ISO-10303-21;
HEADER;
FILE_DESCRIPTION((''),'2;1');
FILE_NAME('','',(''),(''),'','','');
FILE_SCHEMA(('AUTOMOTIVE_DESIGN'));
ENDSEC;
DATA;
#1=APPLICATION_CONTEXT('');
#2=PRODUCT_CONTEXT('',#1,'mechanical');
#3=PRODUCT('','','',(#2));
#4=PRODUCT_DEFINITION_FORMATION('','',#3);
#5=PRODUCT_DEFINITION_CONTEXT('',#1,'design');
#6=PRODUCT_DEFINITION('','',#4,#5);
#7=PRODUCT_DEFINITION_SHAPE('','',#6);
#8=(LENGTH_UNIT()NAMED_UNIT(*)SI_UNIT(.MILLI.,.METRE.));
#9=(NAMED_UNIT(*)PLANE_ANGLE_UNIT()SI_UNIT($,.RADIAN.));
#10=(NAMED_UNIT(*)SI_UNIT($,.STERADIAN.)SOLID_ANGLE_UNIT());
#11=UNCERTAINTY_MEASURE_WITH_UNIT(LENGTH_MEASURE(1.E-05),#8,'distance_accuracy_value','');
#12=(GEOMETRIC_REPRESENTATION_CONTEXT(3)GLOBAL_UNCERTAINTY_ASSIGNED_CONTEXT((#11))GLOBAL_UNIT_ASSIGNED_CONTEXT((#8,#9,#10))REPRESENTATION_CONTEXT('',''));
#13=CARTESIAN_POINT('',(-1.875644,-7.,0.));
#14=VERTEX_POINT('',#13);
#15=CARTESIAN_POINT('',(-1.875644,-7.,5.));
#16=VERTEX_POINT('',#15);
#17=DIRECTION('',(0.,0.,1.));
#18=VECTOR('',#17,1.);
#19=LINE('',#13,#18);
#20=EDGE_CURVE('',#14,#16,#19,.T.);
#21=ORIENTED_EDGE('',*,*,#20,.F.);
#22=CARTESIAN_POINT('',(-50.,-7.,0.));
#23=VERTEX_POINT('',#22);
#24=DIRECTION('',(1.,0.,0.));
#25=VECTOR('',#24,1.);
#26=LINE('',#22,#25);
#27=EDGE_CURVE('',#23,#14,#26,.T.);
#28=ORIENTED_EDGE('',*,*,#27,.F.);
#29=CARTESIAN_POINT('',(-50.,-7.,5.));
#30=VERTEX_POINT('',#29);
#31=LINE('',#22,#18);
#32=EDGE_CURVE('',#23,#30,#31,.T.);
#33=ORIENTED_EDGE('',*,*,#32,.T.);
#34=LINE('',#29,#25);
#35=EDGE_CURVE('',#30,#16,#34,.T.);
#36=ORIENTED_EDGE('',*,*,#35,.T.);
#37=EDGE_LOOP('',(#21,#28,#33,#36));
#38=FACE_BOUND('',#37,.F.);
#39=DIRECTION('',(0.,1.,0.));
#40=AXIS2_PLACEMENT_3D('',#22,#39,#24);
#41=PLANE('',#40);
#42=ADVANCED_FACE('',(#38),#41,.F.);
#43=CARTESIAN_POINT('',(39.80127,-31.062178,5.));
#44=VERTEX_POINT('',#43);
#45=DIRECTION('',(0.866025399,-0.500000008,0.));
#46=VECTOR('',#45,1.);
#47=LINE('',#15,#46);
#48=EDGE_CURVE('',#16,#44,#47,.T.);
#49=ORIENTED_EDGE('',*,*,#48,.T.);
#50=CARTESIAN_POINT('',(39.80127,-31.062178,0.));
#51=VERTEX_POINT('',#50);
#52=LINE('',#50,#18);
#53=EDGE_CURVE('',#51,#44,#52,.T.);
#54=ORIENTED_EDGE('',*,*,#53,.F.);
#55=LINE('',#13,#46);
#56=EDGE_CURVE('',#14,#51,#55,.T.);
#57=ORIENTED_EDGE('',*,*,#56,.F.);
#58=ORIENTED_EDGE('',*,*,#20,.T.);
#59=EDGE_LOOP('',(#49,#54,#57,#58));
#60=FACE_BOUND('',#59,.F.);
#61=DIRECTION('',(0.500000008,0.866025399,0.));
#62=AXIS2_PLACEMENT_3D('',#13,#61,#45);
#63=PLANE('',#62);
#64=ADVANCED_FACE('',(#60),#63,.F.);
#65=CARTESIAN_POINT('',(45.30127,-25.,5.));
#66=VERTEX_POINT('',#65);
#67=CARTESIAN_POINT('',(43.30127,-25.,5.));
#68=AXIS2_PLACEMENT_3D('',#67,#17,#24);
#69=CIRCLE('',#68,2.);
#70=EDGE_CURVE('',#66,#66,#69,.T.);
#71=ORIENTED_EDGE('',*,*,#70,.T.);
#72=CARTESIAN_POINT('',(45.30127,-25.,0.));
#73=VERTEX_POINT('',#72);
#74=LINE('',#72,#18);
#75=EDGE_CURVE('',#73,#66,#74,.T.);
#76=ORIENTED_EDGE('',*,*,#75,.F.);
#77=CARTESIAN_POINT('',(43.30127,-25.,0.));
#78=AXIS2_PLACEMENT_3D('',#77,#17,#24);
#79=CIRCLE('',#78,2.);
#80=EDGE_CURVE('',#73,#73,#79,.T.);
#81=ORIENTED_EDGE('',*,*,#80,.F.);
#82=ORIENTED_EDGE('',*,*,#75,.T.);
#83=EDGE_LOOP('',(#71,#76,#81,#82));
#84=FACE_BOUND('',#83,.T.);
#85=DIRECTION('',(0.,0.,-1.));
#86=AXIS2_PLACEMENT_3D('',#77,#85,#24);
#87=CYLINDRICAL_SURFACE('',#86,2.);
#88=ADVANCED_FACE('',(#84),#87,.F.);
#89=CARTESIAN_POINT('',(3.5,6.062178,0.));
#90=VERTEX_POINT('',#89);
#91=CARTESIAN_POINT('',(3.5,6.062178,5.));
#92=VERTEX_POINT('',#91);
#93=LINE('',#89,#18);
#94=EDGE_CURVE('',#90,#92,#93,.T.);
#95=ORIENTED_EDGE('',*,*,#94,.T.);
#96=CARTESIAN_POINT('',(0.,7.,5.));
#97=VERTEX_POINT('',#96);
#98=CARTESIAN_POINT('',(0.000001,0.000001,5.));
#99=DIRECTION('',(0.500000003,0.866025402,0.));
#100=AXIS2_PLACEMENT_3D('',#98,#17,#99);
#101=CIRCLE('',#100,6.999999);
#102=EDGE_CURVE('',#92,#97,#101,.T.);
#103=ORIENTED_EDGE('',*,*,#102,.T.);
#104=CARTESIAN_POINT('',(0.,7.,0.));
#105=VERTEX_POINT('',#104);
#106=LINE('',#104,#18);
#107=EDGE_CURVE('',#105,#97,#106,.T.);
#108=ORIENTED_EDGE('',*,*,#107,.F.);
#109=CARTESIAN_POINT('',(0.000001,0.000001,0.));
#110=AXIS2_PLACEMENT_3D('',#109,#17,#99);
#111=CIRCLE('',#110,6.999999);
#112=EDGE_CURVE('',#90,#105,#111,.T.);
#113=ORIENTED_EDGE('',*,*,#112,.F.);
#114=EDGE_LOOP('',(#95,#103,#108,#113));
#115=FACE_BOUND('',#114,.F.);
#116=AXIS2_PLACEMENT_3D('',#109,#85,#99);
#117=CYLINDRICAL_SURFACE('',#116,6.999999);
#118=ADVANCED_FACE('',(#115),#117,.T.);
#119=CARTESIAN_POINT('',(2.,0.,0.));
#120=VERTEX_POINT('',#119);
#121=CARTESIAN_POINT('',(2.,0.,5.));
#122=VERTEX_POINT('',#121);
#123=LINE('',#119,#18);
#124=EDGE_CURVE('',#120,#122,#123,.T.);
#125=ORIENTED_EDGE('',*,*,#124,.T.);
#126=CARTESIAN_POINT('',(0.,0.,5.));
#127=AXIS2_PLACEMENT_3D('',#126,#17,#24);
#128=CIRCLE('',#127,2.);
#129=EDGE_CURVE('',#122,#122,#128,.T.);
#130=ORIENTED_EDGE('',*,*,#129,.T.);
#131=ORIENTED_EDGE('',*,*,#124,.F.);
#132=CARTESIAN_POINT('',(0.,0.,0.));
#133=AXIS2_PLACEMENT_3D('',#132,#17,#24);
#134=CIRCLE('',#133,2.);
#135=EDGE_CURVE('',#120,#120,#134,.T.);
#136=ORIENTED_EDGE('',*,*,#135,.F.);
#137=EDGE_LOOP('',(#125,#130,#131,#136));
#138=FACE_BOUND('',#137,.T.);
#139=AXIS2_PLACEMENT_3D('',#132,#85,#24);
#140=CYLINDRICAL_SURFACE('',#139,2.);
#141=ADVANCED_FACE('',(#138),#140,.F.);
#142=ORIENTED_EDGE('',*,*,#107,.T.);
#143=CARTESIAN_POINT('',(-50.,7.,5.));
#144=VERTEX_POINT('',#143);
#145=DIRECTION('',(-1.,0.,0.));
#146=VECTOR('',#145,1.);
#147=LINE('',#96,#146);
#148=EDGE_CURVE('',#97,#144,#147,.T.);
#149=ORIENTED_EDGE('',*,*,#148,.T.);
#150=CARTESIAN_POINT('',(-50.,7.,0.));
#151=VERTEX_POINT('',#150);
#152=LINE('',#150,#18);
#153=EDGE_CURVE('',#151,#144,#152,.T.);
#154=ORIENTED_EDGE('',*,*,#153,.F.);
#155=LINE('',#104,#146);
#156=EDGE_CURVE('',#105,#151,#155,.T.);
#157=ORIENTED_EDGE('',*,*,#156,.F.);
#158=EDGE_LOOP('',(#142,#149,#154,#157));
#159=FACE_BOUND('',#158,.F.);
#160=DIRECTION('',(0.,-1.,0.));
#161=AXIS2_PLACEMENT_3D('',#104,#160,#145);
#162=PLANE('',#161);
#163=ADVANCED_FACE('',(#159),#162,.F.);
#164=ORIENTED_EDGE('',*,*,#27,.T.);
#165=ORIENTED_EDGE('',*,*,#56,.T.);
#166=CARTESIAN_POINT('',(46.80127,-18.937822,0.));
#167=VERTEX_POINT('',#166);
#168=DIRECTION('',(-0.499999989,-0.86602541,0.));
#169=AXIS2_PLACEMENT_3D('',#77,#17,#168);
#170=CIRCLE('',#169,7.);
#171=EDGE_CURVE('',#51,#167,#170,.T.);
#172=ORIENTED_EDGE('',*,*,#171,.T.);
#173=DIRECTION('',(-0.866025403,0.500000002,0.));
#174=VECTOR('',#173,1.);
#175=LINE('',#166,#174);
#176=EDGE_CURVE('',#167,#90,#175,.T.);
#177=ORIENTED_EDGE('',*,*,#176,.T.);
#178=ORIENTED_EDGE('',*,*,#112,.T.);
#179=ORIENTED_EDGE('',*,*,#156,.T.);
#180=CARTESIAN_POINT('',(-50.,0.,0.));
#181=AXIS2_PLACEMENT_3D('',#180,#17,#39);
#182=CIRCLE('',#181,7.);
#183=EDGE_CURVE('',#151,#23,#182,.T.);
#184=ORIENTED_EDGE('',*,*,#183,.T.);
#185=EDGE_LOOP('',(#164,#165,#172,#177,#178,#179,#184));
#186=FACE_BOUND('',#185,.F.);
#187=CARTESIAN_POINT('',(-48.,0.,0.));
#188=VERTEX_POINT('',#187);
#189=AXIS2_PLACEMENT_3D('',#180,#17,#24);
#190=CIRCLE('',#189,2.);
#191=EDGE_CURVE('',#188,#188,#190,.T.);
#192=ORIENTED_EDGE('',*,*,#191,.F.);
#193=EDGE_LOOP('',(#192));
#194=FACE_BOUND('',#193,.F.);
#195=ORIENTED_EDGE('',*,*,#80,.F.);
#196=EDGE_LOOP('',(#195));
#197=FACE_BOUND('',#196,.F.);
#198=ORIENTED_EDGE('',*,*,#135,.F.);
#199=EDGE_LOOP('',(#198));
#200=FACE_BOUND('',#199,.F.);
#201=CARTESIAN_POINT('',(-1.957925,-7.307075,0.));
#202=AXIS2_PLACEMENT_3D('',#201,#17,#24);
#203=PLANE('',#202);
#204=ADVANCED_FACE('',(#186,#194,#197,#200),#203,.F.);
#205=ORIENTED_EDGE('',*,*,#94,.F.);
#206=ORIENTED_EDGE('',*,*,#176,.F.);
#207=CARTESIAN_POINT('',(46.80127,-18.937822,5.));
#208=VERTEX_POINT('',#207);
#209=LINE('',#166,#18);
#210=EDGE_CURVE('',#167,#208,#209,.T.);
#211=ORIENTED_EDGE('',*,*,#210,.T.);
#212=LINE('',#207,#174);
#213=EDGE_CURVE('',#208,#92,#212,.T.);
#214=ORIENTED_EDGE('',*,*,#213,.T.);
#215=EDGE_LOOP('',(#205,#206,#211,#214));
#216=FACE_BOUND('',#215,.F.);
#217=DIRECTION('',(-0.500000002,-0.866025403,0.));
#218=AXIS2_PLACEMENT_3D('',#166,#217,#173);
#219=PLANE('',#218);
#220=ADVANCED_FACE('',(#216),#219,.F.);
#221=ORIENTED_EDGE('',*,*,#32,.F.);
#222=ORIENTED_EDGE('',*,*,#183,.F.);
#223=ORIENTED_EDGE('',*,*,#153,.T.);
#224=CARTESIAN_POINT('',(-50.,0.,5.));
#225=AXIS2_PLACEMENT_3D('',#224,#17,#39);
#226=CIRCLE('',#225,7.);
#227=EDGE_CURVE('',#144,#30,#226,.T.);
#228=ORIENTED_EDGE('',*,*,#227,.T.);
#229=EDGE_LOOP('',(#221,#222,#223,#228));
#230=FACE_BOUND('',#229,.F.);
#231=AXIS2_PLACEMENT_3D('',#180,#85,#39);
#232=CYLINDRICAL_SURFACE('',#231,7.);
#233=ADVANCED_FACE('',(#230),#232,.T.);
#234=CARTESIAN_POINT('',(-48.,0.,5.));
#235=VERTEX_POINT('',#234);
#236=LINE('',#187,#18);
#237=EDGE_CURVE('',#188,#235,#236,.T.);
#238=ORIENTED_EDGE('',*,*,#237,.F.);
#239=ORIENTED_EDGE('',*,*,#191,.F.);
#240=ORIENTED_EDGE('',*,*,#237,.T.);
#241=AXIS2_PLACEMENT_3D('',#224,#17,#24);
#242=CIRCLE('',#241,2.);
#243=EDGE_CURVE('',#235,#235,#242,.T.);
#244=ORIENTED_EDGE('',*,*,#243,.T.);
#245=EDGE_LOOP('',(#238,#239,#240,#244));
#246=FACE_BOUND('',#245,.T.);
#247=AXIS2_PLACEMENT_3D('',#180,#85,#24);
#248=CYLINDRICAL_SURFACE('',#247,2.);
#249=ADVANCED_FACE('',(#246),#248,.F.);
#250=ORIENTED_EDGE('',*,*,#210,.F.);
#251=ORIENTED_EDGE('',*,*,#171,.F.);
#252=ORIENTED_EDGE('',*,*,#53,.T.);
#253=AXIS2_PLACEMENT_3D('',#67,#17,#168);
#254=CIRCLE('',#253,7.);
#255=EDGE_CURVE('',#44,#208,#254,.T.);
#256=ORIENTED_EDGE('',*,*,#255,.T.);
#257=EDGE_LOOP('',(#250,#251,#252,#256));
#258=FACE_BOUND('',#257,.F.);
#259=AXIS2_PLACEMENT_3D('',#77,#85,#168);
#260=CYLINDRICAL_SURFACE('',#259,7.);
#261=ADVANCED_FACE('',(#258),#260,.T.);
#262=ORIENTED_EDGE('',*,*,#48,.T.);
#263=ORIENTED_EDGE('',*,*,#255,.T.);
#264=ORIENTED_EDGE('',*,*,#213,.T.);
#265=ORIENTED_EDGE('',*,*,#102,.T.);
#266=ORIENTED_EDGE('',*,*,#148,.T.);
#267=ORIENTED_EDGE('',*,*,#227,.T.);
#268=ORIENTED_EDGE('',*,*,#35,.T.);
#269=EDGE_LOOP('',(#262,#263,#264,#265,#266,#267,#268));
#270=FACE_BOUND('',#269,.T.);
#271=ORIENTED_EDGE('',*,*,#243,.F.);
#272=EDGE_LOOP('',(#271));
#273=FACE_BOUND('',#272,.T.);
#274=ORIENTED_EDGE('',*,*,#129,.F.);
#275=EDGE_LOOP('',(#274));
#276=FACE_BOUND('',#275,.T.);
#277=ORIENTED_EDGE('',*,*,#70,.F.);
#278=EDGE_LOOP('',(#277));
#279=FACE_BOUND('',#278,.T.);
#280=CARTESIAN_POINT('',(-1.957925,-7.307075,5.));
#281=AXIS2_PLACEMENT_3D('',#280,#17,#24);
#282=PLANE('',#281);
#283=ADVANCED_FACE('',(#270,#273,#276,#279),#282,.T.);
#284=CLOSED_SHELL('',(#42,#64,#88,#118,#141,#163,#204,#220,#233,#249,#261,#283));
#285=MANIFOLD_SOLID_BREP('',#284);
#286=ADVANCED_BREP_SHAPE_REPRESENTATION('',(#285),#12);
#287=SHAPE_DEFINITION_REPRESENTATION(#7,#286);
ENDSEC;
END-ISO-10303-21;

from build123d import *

# Parameters (mm, degrees)
F0_R     = 2
F1_DEPTH = 5


with BuildPart() as f1:
    # F0 (on Top) → F1 (new body)
    with BuildSketch(Plane.XY):
        with BuildLine():
            ThreePointArc((-50, 7), (-57, 0), (-50, -7))
            Line((-50, -7), (-1.875644, -7))
            Line((-1.875644, -7), (39.80127, -31.062178))
            ThreePointArc((39.80127, -31.062178), (49.363448, -28.5), (46.80127, -18.937822))
            Line((46.80127, -18.937822), (3.5, 6.062178))
            ThreePointArc((3.5, 6.062178), (1.811733, 6.761481), (0, 7))
            Line((0, 7), (-50, 7))
        make_face()
        with Locations((43.30127, -25)):
            Circle(F0_R, mode=Mode.SUBTRACT)
        with Locations((-50, 0)):
            Circle(F0_R, mode=Mode.SUBTRACT)
        Circle(F0_R, mode=Mode.SUBTRACT)
    extrude(amount=F1_DEPTH)


solid = f1.part
